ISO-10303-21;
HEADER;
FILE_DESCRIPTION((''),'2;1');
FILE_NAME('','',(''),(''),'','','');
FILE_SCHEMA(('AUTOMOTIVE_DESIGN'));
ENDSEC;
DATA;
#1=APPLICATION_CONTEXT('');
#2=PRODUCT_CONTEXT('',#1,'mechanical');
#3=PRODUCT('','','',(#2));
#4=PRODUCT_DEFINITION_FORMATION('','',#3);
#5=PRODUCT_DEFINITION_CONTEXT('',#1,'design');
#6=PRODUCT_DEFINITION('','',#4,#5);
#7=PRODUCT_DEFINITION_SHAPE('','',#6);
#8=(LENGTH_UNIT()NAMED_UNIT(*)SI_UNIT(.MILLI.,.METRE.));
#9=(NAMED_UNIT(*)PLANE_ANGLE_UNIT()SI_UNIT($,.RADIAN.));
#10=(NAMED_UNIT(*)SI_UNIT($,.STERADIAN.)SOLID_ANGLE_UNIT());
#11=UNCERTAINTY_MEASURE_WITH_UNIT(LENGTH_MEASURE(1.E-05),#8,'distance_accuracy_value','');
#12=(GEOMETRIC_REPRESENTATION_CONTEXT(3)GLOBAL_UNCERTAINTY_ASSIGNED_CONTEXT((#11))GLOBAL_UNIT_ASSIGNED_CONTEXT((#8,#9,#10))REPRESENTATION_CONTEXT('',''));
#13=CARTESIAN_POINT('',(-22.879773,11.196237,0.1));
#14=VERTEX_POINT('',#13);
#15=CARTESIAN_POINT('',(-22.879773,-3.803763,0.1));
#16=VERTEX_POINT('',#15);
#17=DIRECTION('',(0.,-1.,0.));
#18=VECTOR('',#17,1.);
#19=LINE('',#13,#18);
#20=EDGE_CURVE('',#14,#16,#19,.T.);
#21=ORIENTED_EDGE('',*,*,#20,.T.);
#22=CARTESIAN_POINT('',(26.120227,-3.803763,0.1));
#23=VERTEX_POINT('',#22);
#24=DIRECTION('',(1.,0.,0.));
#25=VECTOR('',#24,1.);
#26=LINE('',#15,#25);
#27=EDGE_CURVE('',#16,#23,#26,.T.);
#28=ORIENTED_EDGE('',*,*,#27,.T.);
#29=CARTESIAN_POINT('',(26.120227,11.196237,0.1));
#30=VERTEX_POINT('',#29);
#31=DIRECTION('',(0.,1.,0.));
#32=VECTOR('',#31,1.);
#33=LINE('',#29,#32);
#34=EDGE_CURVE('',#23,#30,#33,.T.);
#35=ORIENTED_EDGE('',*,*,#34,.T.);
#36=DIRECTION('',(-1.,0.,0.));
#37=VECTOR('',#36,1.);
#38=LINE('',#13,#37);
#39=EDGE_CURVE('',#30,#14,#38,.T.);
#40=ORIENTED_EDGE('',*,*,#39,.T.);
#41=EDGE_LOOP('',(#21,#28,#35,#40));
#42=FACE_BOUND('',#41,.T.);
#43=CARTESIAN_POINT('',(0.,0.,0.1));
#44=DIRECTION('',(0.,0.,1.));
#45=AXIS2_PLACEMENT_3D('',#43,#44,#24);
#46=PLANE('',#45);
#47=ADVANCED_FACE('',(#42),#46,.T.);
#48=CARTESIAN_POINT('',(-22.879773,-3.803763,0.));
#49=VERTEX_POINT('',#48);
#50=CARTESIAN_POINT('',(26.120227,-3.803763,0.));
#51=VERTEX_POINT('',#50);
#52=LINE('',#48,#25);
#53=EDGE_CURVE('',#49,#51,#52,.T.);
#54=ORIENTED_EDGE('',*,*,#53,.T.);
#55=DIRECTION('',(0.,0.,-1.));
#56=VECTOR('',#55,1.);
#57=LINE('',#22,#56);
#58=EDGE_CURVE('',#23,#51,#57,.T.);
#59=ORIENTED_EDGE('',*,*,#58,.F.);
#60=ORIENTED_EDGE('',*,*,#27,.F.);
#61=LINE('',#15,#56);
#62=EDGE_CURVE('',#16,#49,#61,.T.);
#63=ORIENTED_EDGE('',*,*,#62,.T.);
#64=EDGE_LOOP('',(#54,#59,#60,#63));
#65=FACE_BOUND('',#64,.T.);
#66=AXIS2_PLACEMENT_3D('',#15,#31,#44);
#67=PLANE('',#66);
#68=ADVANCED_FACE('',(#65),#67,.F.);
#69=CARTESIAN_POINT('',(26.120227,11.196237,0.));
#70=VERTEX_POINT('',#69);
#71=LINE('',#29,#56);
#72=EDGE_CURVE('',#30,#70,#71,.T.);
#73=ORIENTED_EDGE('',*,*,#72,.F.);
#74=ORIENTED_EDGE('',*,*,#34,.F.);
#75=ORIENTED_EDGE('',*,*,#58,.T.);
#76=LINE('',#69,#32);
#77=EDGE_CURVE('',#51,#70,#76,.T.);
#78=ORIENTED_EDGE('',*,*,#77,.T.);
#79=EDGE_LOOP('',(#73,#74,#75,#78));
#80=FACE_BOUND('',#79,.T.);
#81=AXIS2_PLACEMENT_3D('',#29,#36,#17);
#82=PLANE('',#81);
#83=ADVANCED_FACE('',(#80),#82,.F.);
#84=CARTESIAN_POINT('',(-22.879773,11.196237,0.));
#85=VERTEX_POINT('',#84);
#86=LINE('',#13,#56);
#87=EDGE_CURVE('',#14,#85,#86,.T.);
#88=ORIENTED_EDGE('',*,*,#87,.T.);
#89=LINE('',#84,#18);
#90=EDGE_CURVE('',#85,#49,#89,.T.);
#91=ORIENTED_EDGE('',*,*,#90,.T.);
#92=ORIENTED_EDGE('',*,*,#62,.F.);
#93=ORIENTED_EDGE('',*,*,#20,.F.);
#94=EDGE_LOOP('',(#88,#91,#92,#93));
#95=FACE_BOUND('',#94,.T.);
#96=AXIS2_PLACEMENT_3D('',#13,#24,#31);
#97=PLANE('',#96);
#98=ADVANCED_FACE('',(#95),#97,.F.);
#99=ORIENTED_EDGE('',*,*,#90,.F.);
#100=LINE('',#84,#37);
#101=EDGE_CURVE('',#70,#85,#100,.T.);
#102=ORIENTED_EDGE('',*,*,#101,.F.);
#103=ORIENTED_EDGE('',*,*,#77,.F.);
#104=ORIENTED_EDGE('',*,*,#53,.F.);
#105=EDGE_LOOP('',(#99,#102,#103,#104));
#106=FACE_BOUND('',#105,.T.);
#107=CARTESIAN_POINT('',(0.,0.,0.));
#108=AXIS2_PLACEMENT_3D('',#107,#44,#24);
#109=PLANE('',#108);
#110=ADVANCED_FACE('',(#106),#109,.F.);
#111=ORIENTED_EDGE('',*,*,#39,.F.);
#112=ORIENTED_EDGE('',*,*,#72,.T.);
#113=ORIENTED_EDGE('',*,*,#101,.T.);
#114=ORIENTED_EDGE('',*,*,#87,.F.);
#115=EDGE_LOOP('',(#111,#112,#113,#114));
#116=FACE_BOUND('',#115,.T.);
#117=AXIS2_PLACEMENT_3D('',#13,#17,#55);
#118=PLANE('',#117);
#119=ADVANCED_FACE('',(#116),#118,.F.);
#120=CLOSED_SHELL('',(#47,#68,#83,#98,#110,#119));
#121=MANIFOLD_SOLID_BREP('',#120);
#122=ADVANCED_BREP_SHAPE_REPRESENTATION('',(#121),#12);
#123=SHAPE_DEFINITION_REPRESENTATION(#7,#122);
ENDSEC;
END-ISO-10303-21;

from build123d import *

# Parameters (mm, degrees)
SKETCH1_W           = 49
SKETCH1_H           = 15
BOSS_EXTRUDE1_DEPTH = 0.1


with BuildPart() as part:
    # Sketch1 → Boss-Extrude1 (new body)
    with BuildSketch(Plane.XY):
        with Locations((1.62022726, 3.696236559)):
            Rectangle(SKETCH1_W, SKETCH1_H)
    extrude(amount=BOSS_EXTRUDE1_DEPTH)


solid = part.part
